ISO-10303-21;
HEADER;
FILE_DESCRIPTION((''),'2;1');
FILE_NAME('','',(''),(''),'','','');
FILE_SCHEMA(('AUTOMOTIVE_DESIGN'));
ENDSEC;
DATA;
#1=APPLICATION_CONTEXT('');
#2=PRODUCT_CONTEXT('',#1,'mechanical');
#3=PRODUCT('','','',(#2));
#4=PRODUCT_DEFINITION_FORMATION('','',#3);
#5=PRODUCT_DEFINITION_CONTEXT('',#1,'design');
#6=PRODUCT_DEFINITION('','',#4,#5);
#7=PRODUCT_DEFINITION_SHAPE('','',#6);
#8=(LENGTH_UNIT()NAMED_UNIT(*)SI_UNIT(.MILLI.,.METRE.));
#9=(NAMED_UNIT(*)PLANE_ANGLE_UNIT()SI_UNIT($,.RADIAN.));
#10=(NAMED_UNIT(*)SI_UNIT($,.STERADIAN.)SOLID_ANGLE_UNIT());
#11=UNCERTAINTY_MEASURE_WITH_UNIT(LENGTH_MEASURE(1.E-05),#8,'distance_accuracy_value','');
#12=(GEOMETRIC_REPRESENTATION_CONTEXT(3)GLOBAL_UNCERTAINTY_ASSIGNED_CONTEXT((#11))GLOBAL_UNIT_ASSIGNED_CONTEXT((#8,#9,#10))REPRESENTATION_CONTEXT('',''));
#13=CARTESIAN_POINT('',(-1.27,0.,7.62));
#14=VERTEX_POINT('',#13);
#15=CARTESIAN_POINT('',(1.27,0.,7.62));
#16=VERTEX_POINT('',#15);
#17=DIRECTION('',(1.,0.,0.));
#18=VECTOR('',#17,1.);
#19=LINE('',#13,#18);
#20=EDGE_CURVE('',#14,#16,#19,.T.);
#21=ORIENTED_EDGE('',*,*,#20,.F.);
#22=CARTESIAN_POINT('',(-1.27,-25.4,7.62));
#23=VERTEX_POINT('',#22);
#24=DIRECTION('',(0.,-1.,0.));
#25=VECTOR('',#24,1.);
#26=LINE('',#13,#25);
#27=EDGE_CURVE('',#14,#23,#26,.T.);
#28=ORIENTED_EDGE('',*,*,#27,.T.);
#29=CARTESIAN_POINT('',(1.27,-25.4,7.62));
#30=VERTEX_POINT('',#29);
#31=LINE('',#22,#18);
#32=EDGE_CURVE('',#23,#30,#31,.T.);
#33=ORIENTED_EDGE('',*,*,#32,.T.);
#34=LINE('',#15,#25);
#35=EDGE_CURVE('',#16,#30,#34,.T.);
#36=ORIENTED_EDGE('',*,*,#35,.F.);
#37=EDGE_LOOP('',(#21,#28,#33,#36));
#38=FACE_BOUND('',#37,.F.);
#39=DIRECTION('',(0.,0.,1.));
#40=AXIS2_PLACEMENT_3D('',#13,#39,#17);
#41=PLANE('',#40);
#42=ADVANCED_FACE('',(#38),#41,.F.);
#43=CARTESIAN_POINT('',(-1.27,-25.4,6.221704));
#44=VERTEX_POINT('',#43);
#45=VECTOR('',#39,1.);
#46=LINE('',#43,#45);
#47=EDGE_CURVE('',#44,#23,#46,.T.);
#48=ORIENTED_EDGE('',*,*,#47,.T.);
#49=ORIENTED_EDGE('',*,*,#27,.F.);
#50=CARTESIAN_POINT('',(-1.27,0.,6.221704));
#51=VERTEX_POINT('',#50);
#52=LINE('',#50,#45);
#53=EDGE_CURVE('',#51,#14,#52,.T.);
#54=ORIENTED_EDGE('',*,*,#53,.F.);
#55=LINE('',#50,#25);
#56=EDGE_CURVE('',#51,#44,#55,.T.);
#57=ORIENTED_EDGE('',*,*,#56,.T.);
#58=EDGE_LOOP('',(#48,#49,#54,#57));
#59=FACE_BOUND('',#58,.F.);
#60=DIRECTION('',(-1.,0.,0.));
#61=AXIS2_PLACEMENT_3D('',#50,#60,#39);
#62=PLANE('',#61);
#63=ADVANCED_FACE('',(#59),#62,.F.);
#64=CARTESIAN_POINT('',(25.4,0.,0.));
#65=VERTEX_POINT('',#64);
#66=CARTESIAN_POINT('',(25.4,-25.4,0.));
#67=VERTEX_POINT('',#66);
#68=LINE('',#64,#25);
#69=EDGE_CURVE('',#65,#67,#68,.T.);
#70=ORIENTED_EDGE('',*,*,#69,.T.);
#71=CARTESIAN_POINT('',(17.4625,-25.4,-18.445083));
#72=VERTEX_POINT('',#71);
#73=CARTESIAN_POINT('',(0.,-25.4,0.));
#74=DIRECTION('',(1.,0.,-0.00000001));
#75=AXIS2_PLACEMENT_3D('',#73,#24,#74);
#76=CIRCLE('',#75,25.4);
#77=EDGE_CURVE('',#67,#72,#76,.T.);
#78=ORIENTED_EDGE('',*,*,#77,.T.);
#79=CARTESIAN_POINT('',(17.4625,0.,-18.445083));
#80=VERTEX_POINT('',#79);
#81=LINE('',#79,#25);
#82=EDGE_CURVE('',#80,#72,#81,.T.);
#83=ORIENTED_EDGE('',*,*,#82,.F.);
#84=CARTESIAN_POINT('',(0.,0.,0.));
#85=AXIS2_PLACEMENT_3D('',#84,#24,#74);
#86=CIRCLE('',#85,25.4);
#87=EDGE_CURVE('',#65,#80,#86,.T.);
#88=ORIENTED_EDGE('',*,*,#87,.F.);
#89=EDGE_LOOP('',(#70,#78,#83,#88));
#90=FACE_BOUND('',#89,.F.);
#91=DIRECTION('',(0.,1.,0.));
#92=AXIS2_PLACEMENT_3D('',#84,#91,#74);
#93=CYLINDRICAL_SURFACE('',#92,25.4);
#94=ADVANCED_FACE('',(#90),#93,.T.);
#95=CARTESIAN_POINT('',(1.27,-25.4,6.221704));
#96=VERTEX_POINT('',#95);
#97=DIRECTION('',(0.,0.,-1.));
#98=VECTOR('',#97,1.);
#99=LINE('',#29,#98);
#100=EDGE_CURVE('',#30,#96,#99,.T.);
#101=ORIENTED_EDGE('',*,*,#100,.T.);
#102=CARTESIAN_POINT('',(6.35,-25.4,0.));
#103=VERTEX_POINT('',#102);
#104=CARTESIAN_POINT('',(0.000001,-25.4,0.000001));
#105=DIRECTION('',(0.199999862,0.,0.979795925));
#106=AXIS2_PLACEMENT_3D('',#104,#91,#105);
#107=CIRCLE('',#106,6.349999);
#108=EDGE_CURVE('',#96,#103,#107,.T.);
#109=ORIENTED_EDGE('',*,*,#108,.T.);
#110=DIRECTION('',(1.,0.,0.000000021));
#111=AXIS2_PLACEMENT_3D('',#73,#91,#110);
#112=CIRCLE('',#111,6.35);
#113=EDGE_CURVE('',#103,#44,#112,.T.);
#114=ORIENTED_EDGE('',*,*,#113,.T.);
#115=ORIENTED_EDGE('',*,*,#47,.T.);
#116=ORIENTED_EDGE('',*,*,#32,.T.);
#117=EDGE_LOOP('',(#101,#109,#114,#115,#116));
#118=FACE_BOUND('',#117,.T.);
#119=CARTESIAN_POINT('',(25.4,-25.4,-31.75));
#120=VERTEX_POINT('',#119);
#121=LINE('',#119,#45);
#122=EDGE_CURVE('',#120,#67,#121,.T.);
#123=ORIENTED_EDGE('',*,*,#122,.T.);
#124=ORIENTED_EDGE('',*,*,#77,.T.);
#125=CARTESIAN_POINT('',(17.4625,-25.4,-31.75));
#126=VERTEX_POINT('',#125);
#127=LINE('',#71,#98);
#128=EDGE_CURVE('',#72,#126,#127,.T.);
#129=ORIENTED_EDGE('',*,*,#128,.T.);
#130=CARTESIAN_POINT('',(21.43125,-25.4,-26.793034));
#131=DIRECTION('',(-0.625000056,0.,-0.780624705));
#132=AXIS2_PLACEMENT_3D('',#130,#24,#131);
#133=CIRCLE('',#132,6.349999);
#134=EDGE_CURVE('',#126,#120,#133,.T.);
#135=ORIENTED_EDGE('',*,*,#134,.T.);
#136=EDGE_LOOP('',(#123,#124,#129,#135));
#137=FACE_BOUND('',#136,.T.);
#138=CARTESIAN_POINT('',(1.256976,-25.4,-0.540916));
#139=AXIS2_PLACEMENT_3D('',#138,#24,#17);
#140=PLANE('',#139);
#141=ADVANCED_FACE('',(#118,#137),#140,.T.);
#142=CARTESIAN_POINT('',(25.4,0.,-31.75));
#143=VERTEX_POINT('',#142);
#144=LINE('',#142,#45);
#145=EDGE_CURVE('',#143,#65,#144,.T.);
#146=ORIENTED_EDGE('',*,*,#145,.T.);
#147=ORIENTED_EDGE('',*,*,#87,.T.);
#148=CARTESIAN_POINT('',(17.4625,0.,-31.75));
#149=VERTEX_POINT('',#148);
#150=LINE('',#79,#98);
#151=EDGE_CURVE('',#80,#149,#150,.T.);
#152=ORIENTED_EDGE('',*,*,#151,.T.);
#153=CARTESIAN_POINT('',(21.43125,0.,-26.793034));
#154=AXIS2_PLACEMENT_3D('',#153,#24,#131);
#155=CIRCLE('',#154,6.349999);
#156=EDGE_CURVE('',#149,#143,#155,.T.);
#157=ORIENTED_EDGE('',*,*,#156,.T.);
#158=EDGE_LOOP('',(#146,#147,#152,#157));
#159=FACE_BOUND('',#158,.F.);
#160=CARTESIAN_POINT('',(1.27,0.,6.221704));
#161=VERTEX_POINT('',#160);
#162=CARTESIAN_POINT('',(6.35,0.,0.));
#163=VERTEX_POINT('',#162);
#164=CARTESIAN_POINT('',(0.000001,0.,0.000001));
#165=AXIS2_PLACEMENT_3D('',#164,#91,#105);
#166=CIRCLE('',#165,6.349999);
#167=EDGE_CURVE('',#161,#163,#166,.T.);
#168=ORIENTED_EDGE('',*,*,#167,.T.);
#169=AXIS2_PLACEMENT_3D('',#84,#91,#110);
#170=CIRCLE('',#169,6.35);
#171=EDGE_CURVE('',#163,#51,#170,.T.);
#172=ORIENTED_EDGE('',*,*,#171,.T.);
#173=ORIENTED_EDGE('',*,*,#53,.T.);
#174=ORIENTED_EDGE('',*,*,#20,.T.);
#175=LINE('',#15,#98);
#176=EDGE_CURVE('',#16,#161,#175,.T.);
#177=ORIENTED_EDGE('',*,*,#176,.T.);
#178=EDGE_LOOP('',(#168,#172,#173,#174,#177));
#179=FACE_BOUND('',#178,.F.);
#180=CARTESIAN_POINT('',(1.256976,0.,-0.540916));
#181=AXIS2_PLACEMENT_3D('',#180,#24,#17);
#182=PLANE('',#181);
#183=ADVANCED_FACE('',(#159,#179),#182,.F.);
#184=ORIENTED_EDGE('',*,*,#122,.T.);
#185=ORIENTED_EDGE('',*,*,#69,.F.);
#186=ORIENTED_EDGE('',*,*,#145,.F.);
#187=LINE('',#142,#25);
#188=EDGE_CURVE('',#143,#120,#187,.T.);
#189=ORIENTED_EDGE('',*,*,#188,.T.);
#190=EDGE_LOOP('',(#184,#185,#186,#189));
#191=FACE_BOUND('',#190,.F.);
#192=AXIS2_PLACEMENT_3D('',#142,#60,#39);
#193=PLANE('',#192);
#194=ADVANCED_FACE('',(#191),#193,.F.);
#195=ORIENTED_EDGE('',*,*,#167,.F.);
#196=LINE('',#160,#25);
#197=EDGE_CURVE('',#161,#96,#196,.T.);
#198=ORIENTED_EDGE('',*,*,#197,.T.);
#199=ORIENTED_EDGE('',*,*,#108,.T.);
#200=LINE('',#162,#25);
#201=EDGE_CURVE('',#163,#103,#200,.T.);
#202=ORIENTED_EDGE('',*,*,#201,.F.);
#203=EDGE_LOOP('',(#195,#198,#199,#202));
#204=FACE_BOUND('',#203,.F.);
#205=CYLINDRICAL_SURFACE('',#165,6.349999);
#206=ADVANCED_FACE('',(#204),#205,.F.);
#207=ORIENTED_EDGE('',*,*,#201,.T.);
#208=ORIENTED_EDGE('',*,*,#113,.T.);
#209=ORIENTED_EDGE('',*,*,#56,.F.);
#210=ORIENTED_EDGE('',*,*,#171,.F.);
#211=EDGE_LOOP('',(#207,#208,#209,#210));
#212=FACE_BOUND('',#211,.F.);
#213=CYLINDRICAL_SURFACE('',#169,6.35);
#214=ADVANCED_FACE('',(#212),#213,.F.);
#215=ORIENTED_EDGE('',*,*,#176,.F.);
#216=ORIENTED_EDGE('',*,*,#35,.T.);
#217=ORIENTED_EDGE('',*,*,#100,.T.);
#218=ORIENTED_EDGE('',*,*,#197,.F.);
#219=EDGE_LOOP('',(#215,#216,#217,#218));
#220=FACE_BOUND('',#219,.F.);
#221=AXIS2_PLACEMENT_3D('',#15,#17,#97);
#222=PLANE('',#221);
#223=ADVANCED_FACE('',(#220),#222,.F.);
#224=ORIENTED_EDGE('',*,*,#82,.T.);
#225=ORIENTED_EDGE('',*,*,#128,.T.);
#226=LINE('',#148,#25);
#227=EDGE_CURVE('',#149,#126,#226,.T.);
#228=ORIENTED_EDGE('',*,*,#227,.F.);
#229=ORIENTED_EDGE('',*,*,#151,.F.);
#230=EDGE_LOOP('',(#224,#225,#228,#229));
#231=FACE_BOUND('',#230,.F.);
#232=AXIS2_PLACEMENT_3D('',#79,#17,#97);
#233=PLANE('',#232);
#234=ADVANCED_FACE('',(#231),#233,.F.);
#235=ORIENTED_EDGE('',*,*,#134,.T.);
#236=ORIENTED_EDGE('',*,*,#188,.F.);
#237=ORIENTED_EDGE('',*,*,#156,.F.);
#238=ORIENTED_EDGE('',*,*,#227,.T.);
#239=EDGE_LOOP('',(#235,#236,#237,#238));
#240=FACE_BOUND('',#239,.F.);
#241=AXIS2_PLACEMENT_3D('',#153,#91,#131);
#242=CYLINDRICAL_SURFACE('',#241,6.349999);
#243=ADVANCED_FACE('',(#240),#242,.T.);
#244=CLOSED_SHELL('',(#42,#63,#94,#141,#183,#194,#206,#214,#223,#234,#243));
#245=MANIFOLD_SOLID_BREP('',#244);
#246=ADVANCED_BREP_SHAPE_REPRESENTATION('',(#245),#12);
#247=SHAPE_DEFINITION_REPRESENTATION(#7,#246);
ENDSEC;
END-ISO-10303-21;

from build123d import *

# Parameters (mm, degrees)
F1_DEPTH = 25.4


with BuildPart() as f1:
    # F0 (on Front) → F1 (new body)
    with BuildSketch(Plane.XZ):
        with BuildLine():
            ThreePointArc((17.4625, -18.445083), (23.33139, -10.040232), (25.4, 0))
            ThreePointArc((25.4, 0), (-23.33139, 10.040232), (17.4625, -18.445083))
        make_face()
        with BuildLine():
            ThreePointArc((1.27, 6.221704), (4.918689, 4.016093), (6.35, 0))
            ThreePointArc((6.35, 0), (-4.016093, -4.918689), (-1.27, 6.221704))
            Line((-1.27, 6.221704), (-1.27, 7.62))
            Line((-1.27, 7.62), (1.27, 7.62))
            Line((1.27, 7.62), (1.27, 6.221704))
        make_face(mode=Mode.SUBTRACT)
        with BuildLine():
            Line((25.4, -31.75), (25.4, 0))
            ThreePointArc((25.4, 0), (23.33139, -10.040232), (17.4625, -18.445083))
            Line((17.4625, -18.445083), (17.4625, -31.75))
            ThreePointArc((17.4625, -31.75), (21.43125, -33.143033), (25.4, -31.75))
        make_face()
    extrude(amount=F1_DEPTH)


solid = f1.part
